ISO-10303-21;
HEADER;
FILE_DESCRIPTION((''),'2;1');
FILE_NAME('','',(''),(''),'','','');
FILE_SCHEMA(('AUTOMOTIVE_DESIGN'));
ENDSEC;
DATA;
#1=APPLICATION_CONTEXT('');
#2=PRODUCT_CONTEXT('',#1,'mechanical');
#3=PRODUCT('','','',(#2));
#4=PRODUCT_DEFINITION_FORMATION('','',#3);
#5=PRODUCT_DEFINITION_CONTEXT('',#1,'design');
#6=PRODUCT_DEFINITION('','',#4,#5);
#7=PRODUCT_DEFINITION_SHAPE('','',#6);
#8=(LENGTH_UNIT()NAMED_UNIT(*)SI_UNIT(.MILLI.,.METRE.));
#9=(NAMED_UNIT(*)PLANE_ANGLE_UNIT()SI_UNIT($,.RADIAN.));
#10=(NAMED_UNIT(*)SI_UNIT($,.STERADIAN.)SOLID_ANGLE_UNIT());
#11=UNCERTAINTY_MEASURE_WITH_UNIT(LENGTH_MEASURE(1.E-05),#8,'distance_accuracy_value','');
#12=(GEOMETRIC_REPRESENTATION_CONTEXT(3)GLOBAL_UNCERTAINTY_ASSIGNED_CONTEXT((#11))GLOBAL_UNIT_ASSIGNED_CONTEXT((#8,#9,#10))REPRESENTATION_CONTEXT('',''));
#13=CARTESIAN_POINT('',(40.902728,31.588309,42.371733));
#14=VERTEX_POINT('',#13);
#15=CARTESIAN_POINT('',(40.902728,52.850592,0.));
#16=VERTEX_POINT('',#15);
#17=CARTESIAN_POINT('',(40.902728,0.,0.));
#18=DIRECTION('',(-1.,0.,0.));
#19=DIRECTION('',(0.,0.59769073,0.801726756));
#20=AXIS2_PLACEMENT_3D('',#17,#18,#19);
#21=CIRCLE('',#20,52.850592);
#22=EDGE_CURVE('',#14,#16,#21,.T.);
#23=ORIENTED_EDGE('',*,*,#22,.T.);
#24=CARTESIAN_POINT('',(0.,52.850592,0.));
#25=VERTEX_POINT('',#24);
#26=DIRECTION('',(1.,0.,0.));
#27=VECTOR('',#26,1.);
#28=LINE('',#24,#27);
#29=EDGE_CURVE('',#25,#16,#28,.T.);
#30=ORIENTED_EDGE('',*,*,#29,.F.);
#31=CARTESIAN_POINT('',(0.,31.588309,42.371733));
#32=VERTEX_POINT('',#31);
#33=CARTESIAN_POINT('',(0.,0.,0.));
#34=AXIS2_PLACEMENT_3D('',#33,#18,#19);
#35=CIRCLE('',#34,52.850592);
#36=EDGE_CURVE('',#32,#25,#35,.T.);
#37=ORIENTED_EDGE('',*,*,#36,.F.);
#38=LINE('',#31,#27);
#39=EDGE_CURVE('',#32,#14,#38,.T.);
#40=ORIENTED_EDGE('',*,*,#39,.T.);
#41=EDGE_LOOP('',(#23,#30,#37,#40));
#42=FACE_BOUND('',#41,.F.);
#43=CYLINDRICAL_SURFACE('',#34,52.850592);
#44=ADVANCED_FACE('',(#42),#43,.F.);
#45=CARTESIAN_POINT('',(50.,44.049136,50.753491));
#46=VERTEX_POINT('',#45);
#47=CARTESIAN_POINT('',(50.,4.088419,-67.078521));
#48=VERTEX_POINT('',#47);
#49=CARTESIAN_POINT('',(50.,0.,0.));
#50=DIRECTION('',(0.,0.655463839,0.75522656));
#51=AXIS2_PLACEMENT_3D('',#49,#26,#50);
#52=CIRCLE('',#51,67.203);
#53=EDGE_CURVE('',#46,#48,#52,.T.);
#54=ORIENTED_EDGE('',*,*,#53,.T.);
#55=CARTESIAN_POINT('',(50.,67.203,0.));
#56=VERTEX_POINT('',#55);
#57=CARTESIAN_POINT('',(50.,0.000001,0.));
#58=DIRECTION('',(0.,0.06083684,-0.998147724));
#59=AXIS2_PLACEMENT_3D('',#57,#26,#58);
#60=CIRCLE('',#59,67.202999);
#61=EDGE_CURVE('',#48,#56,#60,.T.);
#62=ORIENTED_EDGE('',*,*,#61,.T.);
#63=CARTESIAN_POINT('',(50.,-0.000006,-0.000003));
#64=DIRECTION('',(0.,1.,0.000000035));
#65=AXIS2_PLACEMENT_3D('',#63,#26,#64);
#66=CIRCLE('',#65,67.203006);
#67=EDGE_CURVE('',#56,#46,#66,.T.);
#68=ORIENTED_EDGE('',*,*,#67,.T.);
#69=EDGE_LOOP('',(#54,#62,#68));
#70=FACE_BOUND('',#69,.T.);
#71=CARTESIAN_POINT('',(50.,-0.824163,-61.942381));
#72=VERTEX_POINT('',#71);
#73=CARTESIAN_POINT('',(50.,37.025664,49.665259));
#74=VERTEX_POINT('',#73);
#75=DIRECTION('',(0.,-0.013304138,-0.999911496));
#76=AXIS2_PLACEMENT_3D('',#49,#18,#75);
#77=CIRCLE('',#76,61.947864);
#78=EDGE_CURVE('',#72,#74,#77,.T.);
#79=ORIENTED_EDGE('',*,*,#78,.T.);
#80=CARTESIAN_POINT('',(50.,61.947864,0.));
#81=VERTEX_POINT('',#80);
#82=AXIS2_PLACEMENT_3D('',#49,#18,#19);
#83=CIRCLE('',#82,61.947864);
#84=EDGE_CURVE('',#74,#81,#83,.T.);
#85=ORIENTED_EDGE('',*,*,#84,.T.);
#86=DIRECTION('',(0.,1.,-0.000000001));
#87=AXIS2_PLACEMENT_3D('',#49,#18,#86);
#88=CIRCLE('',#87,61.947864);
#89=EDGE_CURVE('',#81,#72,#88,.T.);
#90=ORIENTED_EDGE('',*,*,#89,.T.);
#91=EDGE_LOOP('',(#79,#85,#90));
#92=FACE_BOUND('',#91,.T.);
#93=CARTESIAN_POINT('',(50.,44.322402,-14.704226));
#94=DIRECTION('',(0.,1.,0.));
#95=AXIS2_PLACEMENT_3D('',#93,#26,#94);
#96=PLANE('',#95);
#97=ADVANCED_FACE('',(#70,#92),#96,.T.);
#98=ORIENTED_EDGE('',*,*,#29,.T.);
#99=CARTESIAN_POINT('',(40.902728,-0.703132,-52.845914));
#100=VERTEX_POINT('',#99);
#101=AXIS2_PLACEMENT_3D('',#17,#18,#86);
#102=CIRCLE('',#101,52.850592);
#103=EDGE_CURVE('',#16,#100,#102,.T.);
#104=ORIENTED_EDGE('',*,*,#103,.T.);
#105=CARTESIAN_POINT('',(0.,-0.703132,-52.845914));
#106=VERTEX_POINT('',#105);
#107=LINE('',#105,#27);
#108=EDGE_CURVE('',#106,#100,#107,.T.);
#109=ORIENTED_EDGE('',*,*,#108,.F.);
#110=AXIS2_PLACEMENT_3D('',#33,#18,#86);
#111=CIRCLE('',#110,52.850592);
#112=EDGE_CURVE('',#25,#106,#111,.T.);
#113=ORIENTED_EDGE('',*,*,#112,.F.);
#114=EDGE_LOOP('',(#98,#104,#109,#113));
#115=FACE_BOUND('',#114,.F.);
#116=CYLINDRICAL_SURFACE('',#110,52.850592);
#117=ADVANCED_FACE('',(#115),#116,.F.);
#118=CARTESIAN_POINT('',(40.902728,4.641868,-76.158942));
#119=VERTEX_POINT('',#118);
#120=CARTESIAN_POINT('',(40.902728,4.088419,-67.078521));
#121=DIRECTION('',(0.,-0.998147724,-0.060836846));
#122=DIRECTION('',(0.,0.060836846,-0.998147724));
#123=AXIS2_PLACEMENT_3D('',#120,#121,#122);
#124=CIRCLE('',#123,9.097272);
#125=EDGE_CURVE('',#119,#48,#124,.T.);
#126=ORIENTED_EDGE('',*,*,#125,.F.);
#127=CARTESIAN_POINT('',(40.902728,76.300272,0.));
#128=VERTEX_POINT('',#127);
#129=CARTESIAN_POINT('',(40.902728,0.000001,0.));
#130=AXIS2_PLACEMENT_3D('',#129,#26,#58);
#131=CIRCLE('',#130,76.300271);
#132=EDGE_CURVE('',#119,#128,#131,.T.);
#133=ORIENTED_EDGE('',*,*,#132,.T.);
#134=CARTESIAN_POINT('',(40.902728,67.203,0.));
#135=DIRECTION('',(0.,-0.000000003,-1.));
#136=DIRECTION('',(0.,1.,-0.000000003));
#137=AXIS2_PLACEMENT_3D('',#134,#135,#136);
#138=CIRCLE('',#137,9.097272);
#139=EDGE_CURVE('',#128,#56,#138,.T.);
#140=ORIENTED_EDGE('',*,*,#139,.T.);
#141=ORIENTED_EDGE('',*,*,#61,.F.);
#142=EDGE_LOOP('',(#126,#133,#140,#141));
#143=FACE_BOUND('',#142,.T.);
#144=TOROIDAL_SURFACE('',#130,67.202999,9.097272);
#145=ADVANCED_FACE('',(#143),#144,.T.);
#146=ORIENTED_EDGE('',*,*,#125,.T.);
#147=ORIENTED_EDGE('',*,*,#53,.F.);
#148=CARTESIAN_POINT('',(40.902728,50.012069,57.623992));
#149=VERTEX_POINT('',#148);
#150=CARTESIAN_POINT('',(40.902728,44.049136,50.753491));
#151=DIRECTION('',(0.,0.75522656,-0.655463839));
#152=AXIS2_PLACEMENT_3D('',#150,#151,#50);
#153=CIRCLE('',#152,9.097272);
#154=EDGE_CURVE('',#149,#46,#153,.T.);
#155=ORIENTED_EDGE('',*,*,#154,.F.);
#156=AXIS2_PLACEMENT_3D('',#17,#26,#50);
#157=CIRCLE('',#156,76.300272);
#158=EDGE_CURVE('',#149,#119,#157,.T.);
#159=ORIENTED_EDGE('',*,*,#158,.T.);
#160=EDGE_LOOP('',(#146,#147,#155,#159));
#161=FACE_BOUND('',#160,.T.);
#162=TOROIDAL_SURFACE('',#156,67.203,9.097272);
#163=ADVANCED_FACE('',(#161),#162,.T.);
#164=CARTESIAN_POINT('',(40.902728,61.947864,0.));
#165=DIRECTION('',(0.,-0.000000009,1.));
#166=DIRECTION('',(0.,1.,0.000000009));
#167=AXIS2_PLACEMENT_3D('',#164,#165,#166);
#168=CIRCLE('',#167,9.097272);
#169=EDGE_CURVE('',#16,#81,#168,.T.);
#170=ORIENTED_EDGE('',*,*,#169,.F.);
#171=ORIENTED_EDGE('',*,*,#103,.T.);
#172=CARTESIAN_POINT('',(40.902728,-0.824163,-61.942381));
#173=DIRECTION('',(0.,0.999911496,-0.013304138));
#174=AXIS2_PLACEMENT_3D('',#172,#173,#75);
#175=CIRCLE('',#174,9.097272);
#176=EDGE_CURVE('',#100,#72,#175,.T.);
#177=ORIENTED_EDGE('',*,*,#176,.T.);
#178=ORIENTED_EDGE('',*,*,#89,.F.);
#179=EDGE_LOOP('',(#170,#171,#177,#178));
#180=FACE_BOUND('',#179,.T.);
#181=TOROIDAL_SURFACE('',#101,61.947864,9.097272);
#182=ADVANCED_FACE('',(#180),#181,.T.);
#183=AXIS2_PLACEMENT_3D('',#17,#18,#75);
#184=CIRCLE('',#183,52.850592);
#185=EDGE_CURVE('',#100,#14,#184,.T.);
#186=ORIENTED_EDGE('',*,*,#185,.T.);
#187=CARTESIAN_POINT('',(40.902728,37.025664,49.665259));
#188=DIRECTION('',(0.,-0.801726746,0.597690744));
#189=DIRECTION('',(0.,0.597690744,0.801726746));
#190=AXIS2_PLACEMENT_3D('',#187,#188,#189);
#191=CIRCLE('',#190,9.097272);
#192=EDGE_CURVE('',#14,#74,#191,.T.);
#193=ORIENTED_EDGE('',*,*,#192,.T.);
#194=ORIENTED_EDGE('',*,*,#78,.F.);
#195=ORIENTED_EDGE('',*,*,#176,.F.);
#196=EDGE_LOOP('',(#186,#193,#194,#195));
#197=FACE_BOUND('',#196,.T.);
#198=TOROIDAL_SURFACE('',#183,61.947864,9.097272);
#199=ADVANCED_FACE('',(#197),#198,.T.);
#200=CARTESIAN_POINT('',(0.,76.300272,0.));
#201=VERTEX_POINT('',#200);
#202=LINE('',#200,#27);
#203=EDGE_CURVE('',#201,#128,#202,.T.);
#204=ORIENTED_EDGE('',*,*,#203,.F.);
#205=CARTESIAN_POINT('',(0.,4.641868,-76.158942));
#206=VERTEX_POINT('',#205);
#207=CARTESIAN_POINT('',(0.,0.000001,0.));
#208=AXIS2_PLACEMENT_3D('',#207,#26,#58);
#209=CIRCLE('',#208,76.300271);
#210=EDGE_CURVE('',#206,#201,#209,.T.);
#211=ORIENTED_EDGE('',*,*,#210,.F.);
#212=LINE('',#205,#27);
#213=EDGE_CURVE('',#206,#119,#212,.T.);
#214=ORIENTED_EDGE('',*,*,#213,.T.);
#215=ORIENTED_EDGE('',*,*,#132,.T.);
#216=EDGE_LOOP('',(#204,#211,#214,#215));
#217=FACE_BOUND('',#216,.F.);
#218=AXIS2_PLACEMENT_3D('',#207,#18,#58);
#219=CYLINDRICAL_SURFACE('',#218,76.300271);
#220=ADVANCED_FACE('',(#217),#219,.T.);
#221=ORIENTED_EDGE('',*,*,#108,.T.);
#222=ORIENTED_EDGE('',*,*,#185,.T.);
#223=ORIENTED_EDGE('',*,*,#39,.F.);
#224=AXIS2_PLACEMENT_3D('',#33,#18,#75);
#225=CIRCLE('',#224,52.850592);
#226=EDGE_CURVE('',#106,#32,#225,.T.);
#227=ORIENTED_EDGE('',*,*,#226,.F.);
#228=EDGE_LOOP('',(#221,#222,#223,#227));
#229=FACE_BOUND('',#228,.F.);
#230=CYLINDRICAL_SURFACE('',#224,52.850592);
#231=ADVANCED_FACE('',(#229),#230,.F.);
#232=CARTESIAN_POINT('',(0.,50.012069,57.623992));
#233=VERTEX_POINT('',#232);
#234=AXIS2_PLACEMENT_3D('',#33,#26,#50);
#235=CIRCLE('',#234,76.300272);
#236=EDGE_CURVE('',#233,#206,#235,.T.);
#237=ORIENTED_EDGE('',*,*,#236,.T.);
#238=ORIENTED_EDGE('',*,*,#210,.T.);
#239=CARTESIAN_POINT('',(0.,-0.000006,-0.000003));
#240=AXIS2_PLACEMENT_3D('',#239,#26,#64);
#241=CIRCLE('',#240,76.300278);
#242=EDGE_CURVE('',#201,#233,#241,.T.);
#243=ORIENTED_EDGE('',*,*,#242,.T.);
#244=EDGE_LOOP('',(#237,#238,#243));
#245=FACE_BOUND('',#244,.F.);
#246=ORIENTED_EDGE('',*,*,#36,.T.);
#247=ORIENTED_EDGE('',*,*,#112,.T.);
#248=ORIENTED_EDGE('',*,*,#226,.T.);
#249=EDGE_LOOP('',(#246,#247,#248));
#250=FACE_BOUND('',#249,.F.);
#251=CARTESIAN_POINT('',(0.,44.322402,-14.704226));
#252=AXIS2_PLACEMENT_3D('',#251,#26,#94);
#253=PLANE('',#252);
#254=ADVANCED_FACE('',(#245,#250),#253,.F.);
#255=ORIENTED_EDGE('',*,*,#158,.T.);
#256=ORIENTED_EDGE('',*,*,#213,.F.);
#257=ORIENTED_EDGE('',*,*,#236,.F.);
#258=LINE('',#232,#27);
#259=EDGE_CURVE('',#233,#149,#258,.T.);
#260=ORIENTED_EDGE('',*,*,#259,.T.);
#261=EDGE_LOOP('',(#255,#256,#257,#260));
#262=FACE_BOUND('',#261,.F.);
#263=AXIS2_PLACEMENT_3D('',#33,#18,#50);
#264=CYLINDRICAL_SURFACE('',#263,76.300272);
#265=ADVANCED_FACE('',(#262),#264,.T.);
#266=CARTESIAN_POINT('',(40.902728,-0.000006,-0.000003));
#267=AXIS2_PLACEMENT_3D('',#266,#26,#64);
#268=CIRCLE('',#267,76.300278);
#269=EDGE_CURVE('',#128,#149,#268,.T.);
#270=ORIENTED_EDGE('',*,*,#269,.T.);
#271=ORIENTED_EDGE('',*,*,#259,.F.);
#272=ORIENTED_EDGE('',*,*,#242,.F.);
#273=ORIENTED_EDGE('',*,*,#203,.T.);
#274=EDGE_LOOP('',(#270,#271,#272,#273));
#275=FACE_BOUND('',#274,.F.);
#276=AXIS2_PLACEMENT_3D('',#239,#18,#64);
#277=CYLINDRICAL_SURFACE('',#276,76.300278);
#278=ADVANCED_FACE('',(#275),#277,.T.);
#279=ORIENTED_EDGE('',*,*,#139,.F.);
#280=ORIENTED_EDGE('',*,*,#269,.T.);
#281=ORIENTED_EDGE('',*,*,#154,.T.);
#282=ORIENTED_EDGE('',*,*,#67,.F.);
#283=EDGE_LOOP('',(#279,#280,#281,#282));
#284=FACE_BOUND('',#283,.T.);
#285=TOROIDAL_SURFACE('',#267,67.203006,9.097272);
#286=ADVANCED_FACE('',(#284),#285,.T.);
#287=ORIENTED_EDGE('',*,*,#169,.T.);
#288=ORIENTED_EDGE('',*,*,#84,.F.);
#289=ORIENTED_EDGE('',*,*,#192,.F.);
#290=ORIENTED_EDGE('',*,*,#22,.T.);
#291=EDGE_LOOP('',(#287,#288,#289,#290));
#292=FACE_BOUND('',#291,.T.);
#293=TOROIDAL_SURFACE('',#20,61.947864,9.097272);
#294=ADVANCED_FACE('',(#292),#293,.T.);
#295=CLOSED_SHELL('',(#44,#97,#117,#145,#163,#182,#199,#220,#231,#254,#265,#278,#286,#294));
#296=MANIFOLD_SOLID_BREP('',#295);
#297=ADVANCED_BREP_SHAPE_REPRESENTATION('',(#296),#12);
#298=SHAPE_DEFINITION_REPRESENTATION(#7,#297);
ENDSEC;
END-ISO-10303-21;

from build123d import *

# Parameters (mm, degrees)
F1_DEPTH = 50
F2_R     = 9.097272


with BuildPart() as f1:
    # F0 (on Right) → F1 (new body)
    with BuildSketch(Plane.YZ):
        with BuildLine():
            ThreePointArc((31.588309, 42.371733), (47.236881, 23.703631), (52.850592, 0))
            ThreePointArc((52.850592, 0), (37.121585, -37.618785), (-0.703132, -52.845914))
            ThreePointArc((-0.703132, -52.845914), (1.366054, -64.640751), (4.641868, -76.158942))
            ThreePointArc((4.641868, -76.158942), (55.569359, -52.285541), (76.300272, 0))
            ThreePointArc((76.300272, 0), (69.417814, 31.668573), (50.012069, 57.623992))
            ThreePointArc((50.012069, 57.623992), (40.405478, 50.474648), (31.588309, 42.371733))
        make_face()
        with BuildLine():
            ThreePointArc((-0.703132, -52.845914), (-50.050711, 16.973845), (31.588309, 42.371733))
            ThreePointArc((31.588309, 42.371733), (40.405478, 50.474648), (50.012069, 57.623992))
            ThreePointArc((50.012069, 57.623992), (-72.25809, 24.505099), (4.641868, -76.158942))
            ThreePointArc((4.641868, -76.158942), (1.366054, -64.640751), (-0.703132, -52.845914))
        make_face()
    extrude(amount=F1_DEPTH)

    # F2
    f2_edges = [f1.edges().sort_by_distance(p)[0] for p in [
        (50, -4.641868, 76.158942),
        (50, -31.588309, -42.371733),
    ]]
    fillet(f2_edges, radius=F2_R)


solid = f1.part
